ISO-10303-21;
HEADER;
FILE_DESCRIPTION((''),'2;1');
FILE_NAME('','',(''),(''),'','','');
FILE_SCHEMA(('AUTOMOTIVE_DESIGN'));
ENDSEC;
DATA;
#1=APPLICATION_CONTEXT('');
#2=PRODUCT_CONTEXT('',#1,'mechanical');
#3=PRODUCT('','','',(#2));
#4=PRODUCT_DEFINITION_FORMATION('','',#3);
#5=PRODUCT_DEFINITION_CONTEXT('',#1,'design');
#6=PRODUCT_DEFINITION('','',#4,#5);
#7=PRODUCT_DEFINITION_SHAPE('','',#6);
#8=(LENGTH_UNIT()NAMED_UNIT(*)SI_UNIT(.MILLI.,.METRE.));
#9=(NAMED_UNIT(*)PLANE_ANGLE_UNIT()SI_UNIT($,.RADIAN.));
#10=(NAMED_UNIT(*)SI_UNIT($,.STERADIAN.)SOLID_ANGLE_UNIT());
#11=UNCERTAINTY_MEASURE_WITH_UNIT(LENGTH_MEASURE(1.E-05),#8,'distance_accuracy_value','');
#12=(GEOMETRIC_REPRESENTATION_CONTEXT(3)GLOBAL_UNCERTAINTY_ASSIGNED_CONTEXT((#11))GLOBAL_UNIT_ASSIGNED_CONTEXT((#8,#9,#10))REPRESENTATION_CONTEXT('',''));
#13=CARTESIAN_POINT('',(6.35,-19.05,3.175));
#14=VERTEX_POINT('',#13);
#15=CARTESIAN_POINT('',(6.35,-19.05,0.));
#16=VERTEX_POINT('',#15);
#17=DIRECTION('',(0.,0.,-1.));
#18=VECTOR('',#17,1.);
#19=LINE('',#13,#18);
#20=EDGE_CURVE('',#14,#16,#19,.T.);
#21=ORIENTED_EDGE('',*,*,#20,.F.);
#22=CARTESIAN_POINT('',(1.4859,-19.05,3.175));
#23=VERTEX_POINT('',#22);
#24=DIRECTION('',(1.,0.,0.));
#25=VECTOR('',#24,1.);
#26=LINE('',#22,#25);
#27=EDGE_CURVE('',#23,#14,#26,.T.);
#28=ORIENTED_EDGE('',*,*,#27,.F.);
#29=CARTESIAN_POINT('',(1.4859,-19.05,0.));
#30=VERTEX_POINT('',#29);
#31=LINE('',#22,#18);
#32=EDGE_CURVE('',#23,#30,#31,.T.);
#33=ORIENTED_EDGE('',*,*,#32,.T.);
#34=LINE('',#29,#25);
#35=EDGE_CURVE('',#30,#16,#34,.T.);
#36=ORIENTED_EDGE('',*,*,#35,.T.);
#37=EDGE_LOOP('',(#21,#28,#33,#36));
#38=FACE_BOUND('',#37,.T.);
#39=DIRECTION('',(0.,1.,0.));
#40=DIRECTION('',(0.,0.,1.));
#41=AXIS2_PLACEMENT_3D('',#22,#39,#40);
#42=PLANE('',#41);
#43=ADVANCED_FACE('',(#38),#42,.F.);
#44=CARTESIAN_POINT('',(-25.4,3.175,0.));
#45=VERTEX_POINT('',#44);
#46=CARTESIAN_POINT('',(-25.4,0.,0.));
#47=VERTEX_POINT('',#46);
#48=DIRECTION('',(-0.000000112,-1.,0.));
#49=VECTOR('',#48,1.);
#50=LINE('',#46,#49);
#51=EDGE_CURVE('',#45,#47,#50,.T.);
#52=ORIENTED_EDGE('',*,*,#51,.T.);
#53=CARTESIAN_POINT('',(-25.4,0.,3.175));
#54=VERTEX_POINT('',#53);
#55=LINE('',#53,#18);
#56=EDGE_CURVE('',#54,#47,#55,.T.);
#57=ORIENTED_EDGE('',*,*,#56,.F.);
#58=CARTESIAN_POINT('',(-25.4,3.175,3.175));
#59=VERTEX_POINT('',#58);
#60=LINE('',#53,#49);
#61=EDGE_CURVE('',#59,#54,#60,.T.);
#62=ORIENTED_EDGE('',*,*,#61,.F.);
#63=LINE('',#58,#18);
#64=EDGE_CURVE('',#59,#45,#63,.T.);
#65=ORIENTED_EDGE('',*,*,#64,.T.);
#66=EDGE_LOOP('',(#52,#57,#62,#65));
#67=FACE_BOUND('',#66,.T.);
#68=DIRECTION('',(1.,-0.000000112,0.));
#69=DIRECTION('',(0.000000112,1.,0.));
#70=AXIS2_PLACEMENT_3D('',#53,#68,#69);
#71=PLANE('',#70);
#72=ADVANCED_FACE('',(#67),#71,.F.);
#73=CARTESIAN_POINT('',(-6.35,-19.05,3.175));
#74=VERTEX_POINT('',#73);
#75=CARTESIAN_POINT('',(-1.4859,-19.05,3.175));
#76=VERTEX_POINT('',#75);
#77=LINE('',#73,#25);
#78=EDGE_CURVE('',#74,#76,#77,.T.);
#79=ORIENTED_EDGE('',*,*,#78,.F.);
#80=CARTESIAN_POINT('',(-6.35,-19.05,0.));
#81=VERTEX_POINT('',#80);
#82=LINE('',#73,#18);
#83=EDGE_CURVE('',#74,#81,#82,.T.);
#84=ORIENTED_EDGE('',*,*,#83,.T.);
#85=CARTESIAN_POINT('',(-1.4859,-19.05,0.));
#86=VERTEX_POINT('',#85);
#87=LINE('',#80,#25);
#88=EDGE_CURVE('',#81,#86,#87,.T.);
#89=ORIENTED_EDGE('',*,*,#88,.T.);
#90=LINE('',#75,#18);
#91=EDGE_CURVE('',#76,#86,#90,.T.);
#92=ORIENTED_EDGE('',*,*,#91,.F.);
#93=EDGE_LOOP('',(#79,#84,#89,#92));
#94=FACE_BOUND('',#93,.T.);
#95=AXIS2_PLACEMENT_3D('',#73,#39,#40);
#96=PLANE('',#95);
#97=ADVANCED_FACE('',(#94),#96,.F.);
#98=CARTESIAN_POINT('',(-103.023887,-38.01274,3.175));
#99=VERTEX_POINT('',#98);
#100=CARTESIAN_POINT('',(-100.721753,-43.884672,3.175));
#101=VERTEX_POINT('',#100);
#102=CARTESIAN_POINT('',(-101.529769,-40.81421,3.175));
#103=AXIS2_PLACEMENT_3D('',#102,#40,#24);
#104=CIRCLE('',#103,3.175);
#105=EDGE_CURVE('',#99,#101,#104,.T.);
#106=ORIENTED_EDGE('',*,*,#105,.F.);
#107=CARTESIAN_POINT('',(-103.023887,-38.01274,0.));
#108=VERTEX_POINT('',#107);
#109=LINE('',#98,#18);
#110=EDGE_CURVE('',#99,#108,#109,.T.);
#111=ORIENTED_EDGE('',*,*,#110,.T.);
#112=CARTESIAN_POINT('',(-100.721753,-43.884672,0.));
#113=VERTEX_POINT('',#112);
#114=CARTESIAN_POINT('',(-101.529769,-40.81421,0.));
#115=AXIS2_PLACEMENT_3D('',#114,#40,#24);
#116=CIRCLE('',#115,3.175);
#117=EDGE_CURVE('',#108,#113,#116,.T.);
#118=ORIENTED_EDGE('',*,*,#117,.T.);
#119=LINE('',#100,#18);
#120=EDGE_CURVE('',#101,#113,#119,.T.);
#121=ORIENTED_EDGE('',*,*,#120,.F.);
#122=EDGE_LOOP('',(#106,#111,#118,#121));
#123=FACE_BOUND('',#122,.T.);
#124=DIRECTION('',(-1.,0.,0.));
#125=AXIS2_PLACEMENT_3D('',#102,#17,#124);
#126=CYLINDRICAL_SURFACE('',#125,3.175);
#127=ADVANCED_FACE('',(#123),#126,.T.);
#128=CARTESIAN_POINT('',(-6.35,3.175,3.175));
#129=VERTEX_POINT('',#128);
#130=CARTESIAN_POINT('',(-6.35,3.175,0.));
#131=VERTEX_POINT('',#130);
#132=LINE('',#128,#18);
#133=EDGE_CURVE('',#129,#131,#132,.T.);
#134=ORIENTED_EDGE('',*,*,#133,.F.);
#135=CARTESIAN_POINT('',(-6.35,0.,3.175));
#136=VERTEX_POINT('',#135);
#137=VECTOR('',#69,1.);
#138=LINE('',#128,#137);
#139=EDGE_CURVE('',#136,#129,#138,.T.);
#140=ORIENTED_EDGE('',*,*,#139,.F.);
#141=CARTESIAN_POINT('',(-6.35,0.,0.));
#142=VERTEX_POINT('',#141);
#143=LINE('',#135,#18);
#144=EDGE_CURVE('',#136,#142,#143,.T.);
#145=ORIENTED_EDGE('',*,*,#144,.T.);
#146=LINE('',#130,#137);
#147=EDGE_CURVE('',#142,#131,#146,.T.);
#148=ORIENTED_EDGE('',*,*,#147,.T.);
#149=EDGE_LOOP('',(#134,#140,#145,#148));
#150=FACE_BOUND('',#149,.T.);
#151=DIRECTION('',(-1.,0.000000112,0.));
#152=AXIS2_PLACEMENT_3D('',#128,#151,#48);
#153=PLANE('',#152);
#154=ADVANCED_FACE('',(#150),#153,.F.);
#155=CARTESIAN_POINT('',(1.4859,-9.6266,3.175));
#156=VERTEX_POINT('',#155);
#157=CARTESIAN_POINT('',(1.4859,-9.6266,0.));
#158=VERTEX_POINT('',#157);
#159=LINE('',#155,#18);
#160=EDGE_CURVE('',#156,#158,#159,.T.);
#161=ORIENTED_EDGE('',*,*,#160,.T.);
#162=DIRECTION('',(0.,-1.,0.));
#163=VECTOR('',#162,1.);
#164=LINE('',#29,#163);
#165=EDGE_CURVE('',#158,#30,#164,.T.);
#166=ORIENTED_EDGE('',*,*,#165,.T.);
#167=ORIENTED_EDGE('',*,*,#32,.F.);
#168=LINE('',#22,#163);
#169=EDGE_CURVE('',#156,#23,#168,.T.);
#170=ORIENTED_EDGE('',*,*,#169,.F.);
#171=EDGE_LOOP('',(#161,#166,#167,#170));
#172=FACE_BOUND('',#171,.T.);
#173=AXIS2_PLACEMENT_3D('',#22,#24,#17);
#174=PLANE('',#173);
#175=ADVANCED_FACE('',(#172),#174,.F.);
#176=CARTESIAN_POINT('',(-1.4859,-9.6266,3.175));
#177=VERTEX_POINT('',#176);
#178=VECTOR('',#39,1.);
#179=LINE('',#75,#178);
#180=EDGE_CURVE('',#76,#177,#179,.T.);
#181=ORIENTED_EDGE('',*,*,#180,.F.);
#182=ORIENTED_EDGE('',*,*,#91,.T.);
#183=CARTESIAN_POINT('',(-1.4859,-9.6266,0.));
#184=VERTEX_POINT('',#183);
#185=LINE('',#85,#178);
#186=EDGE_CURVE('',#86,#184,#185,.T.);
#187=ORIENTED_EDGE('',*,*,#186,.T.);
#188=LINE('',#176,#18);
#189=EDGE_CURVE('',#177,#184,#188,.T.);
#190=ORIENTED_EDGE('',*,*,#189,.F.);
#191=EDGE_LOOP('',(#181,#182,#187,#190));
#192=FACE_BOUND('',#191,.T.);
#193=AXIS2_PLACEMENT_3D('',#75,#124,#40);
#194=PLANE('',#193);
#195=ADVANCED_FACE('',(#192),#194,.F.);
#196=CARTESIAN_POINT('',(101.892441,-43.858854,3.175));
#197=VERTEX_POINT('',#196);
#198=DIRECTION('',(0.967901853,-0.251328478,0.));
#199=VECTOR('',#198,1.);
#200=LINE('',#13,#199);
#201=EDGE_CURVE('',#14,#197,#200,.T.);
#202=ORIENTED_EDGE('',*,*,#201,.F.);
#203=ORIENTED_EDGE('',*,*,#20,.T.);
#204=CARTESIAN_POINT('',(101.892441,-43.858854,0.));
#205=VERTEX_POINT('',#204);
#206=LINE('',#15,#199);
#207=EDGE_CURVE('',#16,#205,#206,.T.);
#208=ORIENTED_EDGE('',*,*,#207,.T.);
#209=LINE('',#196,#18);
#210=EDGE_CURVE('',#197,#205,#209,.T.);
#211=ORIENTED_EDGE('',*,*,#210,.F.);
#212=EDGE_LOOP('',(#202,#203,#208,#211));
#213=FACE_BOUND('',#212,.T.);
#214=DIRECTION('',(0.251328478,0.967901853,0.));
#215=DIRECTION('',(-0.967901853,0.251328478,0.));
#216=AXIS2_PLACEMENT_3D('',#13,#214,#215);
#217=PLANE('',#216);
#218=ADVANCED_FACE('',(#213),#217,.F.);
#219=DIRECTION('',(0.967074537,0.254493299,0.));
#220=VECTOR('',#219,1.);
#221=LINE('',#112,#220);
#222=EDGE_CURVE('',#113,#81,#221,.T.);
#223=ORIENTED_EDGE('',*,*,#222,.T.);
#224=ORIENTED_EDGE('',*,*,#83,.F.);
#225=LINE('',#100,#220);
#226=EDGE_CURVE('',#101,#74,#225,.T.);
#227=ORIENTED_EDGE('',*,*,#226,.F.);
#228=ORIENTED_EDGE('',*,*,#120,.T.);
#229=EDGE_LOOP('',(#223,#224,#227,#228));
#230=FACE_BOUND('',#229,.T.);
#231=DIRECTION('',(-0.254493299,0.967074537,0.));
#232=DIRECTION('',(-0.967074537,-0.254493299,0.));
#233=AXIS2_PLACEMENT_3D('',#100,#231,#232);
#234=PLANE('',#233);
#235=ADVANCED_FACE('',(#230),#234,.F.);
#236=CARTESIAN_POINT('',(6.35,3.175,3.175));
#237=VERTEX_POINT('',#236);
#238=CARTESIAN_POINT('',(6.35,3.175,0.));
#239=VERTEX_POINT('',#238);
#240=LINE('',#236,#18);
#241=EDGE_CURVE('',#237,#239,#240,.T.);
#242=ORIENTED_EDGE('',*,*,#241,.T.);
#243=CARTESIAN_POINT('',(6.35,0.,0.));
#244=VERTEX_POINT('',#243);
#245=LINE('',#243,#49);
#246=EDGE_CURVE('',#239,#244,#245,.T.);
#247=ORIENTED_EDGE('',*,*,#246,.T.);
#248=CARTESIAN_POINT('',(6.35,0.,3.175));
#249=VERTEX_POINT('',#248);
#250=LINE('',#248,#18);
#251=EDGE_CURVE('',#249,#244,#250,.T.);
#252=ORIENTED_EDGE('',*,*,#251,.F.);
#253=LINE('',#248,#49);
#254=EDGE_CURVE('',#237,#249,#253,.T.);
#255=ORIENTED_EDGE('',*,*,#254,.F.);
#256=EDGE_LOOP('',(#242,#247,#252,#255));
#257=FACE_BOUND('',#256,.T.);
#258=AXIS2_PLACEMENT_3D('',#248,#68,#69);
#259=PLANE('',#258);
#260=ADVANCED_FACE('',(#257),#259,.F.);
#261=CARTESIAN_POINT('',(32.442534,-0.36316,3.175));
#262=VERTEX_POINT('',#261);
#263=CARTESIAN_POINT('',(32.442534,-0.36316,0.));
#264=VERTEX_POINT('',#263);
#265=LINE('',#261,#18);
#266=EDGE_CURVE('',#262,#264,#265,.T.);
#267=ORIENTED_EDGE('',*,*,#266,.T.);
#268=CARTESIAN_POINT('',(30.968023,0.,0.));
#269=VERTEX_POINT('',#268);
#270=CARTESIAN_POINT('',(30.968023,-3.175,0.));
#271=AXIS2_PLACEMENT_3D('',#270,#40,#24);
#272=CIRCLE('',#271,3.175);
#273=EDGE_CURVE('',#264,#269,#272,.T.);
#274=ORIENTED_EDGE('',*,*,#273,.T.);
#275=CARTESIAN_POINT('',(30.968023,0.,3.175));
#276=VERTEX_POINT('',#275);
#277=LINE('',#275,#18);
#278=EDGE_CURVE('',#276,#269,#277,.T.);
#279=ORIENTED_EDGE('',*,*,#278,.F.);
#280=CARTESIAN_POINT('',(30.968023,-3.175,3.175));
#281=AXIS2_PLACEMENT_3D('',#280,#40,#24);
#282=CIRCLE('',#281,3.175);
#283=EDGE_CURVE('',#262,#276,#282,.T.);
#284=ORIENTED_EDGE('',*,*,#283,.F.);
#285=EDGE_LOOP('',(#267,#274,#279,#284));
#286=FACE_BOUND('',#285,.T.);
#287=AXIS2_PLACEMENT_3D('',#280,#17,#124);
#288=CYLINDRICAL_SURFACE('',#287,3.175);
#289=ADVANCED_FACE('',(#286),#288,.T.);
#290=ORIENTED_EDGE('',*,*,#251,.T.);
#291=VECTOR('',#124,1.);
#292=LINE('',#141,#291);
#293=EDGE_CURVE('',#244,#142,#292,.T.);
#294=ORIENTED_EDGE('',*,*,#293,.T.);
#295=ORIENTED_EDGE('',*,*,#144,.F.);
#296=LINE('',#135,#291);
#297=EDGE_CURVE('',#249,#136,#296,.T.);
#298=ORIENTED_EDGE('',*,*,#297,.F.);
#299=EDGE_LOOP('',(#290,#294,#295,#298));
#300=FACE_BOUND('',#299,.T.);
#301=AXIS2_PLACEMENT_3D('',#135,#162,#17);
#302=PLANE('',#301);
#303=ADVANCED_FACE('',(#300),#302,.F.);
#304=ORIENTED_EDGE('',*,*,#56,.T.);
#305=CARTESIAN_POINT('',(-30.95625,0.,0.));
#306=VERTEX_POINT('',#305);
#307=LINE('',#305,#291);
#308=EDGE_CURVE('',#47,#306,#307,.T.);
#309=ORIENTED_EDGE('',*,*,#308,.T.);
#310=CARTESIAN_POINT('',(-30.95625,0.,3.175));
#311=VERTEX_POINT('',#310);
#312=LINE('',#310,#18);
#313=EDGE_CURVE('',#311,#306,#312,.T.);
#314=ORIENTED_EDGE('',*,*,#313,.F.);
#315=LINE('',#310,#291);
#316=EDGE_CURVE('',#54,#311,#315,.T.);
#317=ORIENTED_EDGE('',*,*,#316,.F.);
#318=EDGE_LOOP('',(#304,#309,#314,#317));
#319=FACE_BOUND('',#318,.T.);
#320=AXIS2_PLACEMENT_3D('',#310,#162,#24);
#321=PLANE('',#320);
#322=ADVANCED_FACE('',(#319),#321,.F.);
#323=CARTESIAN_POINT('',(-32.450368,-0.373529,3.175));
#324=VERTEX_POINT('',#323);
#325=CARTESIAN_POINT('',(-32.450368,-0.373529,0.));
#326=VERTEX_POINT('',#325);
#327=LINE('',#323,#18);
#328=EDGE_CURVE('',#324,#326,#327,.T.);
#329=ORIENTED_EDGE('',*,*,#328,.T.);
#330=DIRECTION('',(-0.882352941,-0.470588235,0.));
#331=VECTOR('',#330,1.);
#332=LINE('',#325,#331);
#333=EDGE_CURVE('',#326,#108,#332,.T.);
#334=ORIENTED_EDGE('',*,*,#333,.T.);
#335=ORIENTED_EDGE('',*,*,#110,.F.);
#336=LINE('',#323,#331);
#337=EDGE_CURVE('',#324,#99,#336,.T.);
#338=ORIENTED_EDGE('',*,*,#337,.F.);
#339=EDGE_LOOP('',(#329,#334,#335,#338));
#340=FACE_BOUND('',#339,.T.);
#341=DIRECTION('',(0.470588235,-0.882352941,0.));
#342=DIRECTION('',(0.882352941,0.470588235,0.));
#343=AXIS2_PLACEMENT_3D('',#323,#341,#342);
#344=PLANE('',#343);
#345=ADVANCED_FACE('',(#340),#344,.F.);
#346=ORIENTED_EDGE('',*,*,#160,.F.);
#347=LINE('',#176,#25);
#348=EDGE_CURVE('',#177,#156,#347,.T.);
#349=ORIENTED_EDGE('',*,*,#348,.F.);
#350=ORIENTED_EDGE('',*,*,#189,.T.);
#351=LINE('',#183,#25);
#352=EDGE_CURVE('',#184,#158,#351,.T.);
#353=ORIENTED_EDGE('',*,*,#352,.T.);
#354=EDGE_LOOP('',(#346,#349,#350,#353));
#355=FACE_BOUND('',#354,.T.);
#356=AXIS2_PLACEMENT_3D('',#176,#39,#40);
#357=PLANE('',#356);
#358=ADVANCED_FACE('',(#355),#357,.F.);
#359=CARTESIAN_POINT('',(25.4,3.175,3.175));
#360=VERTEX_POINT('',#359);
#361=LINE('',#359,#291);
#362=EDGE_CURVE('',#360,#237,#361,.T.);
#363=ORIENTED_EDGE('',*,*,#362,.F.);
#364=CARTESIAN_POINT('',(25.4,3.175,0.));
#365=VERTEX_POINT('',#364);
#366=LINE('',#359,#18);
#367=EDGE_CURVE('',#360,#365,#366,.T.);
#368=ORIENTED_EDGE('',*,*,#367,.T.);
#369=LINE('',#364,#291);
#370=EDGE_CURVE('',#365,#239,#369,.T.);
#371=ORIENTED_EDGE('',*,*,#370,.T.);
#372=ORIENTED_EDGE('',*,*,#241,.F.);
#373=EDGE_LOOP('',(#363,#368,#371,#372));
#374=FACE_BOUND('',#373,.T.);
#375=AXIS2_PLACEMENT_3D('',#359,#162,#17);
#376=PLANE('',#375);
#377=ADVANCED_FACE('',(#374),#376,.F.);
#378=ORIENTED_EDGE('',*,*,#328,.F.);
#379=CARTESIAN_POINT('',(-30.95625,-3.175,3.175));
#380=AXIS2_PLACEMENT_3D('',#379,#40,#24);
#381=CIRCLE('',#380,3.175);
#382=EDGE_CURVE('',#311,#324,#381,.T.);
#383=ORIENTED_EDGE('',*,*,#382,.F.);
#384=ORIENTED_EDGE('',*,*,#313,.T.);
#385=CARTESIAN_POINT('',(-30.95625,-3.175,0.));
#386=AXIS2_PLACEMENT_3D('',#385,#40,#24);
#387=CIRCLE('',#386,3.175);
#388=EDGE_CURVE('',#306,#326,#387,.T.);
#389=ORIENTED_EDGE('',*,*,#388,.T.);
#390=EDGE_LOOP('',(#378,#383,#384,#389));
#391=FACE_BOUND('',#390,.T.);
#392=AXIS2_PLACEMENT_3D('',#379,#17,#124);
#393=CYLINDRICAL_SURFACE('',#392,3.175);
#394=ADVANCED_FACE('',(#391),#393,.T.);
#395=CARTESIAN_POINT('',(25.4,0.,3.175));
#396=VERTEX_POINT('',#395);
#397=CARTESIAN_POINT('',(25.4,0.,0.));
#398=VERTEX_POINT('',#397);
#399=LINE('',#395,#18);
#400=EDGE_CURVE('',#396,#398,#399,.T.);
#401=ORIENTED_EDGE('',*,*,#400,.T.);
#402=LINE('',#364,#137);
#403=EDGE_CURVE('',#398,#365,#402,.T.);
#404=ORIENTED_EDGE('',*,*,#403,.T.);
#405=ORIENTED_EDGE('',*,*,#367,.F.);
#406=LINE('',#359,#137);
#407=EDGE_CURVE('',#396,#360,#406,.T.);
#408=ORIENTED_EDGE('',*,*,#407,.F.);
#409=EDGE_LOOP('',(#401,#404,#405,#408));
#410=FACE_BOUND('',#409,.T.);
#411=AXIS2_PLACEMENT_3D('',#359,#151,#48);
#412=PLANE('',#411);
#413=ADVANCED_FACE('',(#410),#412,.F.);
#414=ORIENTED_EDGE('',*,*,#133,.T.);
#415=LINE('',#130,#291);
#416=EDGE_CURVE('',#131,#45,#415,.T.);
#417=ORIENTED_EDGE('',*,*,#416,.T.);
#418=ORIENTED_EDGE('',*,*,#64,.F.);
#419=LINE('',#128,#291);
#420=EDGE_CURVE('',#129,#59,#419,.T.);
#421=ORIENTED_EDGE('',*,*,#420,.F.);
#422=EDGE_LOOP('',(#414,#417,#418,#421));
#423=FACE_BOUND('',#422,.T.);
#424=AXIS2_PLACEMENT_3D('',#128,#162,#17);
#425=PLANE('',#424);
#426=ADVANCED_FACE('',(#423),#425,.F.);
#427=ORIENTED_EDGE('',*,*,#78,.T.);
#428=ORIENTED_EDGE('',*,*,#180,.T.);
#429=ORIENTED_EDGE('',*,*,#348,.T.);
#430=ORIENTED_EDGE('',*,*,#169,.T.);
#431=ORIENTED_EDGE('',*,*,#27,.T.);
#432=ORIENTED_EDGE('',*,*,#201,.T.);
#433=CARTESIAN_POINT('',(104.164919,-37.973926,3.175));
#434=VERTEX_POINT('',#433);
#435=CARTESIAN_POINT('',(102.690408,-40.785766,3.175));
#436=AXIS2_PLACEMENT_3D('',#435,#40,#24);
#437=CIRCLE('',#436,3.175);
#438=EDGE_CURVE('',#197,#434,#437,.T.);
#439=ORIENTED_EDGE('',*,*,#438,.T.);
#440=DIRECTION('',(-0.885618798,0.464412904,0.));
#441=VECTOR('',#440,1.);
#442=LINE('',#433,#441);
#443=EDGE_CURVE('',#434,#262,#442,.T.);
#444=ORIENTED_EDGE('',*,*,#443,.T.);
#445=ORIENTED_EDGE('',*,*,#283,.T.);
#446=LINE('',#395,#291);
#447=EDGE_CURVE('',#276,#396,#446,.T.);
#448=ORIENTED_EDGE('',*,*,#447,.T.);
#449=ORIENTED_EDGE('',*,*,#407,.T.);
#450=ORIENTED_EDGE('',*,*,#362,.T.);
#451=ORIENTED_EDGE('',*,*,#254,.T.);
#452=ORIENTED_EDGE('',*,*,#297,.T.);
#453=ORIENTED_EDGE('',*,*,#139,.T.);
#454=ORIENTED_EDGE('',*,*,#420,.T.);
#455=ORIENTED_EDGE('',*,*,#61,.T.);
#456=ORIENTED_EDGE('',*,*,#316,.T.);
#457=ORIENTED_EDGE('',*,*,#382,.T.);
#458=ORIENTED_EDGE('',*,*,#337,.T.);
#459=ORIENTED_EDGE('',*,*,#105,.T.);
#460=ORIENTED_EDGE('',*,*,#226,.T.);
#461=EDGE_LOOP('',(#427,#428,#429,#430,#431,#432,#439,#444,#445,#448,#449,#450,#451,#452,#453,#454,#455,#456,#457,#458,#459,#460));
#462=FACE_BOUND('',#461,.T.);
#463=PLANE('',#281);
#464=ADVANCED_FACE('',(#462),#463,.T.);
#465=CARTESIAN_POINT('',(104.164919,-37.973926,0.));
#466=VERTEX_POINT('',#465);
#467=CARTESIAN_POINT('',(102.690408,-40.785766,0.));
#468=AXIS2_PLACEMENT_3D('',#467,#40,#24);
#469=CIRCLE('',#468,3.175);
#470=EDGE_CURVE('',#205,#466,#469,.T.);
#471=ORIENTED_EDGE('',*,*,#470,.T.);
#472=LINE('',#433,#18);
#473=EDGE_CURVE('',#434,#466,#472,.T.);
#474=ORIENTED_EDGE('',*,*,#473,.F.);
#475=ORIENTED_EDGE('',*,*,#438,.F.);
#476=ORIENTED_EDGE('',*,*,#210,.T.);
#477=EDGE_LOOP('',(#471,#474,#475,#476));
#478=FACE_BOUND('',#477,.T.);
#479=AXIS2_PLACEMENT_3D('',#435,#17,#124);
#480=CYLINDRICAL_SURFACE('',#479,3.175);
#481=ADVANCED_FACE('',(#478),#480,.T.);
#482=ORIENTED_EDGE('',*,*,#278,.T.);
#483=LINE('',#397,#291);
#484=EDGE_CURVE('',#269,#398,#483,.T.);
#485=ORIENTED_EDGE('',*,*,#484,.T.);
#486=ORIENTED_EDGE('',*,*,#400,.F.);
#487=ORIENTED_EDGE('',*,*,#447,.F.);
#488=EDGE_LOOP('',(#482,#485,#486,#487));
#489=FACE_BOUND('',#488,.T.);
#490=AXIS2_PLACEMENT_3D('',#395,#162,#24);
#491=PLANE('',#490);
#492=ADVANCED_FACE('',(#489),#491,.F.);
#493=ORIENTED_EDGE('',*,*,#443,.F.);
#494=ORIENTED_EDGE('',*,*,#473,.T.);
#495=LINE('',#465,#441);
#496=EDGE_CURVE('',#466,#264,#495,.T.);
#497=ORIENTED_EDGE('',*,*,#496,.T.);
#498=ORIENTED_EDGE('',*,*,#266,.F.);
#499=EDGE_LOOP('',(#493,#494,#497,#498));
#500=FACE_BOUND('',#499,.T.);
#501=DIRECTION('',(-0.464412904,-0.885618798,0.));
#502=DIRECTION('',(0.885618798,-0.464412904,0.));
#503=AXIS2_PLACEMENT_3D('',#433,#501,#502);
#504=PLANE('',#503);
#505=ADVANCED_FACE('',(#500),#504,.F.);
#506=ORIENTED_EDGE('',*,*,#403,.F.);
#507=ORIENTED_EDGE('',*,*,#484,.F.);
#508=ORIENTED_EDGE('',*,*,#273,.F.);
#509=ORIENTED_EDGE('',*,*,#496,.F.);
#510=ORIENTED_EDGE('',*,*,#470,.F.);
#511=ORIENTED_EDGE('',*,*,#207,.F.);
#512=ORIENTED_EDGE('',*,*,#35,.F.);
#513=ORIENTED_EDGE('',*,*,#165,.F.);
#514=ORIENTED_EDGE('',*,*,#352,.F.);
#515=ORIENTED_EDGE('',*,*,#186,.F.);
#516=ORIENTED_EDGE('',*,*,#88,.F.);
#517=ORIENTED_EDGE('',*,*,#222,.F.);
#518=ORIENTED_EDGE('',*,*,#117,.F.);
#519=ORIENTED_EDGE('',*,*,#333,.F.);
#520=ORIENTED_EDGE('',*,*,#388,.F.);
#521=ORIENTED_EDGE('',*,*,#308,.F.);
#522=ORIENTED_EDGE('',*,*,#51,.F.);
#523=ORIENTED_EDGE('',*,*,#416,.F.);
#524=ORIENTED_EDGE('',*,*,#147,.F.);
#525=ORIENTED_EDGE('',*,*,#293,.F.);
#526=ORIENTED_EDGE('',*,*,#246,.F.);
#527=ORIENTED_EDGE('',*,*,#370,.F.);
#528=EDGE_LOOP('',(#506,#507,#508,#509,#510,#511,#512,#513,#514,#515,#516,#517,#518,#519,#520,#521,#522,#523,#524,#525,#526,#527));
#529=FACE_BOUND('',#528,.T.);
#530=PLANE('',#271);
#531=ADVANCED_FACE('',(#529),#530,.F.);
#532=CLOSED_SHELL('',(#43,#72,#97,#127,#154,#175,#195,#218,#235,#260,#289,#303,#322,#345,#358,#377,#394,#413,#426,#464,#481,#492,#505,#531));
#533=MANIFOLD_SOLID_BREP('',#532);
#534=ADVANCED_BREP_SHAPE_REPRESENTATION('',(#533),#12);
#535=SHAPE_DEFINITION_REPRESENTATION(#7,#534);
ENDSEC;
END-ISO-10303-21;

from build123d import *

# Parameters (mm, degrees)
BOSS_EXTRUDE1_DEPTH = 3.175


with BuildPart() as part:
    # Sketch1 → Boss-Extrude1 (new body)
    with BuildSketch(Plane.XY):
        with BuildLine():
            Line((25.4, 0), (30.968022768, 0))
            ThreePointArc((30.968022768, 0), (31.727309935, -0.092126666), (32.442533736, -0.363160318))
            Line((32.442533736, -0.363160318), (104.164919452, -37.973926384))
            ThreePointArc((104.164919452, -37.973926384), (105.652252875, -41.929489282), (101.892440564, -43.858854448))
            Line((101.892440564, -43.858854448), (6.35, -19.05))
            Line((6.35, -19.05), (1.4859, -19.05))
            Line((1.4859, -19.05), (1.4859, -9.6266))
            Line((1.4859, -9.6266), (-1.4859, -9.6266))
            Line((-1.4859, -9.6266), (-1.4859, -19.05))
            Line((-1.4859, -19.05), (-6.35, -19.05))
            Line((-6.35, -19.05), (-100.721752752, -43.884671777))
            ThreePointArc((-100.721752752, -43.884671777), (-104.48570891, -41.973107935), (-103.023886624, -38.012739532))
            Line((-103.023886624, -38.012739532), (-32.450367647, -0.373529412))
            ThreePointArc((-32.450367647, -0.373529412), (-31.726300609, -0.094797562), (-30.95625, 0))
            Line((-30.95625, 0), (-25.4, 0))
            Line((-25.4, 0), (-25.399999646, 3.174999957))
            Line((-25.399999646, 3.174999957), (-6.349999646, 3.174999957))
            Line((-6.349999646, 3.174999957), (-6.35, 0))
            Line((-6.35, 0), (6.35, 0))
            Line((6.35, 0), (6.350000354, 3.174999957))
            Line((6.350000354, 3.174999957), (25.400000354, 3.174999957))
            Line((25.400000354, 3.174999957), (25.4, 0))
        make_face()
    extrude(amount=BOSS_EXTRUDE1_DEPTH)


solid = part.part
